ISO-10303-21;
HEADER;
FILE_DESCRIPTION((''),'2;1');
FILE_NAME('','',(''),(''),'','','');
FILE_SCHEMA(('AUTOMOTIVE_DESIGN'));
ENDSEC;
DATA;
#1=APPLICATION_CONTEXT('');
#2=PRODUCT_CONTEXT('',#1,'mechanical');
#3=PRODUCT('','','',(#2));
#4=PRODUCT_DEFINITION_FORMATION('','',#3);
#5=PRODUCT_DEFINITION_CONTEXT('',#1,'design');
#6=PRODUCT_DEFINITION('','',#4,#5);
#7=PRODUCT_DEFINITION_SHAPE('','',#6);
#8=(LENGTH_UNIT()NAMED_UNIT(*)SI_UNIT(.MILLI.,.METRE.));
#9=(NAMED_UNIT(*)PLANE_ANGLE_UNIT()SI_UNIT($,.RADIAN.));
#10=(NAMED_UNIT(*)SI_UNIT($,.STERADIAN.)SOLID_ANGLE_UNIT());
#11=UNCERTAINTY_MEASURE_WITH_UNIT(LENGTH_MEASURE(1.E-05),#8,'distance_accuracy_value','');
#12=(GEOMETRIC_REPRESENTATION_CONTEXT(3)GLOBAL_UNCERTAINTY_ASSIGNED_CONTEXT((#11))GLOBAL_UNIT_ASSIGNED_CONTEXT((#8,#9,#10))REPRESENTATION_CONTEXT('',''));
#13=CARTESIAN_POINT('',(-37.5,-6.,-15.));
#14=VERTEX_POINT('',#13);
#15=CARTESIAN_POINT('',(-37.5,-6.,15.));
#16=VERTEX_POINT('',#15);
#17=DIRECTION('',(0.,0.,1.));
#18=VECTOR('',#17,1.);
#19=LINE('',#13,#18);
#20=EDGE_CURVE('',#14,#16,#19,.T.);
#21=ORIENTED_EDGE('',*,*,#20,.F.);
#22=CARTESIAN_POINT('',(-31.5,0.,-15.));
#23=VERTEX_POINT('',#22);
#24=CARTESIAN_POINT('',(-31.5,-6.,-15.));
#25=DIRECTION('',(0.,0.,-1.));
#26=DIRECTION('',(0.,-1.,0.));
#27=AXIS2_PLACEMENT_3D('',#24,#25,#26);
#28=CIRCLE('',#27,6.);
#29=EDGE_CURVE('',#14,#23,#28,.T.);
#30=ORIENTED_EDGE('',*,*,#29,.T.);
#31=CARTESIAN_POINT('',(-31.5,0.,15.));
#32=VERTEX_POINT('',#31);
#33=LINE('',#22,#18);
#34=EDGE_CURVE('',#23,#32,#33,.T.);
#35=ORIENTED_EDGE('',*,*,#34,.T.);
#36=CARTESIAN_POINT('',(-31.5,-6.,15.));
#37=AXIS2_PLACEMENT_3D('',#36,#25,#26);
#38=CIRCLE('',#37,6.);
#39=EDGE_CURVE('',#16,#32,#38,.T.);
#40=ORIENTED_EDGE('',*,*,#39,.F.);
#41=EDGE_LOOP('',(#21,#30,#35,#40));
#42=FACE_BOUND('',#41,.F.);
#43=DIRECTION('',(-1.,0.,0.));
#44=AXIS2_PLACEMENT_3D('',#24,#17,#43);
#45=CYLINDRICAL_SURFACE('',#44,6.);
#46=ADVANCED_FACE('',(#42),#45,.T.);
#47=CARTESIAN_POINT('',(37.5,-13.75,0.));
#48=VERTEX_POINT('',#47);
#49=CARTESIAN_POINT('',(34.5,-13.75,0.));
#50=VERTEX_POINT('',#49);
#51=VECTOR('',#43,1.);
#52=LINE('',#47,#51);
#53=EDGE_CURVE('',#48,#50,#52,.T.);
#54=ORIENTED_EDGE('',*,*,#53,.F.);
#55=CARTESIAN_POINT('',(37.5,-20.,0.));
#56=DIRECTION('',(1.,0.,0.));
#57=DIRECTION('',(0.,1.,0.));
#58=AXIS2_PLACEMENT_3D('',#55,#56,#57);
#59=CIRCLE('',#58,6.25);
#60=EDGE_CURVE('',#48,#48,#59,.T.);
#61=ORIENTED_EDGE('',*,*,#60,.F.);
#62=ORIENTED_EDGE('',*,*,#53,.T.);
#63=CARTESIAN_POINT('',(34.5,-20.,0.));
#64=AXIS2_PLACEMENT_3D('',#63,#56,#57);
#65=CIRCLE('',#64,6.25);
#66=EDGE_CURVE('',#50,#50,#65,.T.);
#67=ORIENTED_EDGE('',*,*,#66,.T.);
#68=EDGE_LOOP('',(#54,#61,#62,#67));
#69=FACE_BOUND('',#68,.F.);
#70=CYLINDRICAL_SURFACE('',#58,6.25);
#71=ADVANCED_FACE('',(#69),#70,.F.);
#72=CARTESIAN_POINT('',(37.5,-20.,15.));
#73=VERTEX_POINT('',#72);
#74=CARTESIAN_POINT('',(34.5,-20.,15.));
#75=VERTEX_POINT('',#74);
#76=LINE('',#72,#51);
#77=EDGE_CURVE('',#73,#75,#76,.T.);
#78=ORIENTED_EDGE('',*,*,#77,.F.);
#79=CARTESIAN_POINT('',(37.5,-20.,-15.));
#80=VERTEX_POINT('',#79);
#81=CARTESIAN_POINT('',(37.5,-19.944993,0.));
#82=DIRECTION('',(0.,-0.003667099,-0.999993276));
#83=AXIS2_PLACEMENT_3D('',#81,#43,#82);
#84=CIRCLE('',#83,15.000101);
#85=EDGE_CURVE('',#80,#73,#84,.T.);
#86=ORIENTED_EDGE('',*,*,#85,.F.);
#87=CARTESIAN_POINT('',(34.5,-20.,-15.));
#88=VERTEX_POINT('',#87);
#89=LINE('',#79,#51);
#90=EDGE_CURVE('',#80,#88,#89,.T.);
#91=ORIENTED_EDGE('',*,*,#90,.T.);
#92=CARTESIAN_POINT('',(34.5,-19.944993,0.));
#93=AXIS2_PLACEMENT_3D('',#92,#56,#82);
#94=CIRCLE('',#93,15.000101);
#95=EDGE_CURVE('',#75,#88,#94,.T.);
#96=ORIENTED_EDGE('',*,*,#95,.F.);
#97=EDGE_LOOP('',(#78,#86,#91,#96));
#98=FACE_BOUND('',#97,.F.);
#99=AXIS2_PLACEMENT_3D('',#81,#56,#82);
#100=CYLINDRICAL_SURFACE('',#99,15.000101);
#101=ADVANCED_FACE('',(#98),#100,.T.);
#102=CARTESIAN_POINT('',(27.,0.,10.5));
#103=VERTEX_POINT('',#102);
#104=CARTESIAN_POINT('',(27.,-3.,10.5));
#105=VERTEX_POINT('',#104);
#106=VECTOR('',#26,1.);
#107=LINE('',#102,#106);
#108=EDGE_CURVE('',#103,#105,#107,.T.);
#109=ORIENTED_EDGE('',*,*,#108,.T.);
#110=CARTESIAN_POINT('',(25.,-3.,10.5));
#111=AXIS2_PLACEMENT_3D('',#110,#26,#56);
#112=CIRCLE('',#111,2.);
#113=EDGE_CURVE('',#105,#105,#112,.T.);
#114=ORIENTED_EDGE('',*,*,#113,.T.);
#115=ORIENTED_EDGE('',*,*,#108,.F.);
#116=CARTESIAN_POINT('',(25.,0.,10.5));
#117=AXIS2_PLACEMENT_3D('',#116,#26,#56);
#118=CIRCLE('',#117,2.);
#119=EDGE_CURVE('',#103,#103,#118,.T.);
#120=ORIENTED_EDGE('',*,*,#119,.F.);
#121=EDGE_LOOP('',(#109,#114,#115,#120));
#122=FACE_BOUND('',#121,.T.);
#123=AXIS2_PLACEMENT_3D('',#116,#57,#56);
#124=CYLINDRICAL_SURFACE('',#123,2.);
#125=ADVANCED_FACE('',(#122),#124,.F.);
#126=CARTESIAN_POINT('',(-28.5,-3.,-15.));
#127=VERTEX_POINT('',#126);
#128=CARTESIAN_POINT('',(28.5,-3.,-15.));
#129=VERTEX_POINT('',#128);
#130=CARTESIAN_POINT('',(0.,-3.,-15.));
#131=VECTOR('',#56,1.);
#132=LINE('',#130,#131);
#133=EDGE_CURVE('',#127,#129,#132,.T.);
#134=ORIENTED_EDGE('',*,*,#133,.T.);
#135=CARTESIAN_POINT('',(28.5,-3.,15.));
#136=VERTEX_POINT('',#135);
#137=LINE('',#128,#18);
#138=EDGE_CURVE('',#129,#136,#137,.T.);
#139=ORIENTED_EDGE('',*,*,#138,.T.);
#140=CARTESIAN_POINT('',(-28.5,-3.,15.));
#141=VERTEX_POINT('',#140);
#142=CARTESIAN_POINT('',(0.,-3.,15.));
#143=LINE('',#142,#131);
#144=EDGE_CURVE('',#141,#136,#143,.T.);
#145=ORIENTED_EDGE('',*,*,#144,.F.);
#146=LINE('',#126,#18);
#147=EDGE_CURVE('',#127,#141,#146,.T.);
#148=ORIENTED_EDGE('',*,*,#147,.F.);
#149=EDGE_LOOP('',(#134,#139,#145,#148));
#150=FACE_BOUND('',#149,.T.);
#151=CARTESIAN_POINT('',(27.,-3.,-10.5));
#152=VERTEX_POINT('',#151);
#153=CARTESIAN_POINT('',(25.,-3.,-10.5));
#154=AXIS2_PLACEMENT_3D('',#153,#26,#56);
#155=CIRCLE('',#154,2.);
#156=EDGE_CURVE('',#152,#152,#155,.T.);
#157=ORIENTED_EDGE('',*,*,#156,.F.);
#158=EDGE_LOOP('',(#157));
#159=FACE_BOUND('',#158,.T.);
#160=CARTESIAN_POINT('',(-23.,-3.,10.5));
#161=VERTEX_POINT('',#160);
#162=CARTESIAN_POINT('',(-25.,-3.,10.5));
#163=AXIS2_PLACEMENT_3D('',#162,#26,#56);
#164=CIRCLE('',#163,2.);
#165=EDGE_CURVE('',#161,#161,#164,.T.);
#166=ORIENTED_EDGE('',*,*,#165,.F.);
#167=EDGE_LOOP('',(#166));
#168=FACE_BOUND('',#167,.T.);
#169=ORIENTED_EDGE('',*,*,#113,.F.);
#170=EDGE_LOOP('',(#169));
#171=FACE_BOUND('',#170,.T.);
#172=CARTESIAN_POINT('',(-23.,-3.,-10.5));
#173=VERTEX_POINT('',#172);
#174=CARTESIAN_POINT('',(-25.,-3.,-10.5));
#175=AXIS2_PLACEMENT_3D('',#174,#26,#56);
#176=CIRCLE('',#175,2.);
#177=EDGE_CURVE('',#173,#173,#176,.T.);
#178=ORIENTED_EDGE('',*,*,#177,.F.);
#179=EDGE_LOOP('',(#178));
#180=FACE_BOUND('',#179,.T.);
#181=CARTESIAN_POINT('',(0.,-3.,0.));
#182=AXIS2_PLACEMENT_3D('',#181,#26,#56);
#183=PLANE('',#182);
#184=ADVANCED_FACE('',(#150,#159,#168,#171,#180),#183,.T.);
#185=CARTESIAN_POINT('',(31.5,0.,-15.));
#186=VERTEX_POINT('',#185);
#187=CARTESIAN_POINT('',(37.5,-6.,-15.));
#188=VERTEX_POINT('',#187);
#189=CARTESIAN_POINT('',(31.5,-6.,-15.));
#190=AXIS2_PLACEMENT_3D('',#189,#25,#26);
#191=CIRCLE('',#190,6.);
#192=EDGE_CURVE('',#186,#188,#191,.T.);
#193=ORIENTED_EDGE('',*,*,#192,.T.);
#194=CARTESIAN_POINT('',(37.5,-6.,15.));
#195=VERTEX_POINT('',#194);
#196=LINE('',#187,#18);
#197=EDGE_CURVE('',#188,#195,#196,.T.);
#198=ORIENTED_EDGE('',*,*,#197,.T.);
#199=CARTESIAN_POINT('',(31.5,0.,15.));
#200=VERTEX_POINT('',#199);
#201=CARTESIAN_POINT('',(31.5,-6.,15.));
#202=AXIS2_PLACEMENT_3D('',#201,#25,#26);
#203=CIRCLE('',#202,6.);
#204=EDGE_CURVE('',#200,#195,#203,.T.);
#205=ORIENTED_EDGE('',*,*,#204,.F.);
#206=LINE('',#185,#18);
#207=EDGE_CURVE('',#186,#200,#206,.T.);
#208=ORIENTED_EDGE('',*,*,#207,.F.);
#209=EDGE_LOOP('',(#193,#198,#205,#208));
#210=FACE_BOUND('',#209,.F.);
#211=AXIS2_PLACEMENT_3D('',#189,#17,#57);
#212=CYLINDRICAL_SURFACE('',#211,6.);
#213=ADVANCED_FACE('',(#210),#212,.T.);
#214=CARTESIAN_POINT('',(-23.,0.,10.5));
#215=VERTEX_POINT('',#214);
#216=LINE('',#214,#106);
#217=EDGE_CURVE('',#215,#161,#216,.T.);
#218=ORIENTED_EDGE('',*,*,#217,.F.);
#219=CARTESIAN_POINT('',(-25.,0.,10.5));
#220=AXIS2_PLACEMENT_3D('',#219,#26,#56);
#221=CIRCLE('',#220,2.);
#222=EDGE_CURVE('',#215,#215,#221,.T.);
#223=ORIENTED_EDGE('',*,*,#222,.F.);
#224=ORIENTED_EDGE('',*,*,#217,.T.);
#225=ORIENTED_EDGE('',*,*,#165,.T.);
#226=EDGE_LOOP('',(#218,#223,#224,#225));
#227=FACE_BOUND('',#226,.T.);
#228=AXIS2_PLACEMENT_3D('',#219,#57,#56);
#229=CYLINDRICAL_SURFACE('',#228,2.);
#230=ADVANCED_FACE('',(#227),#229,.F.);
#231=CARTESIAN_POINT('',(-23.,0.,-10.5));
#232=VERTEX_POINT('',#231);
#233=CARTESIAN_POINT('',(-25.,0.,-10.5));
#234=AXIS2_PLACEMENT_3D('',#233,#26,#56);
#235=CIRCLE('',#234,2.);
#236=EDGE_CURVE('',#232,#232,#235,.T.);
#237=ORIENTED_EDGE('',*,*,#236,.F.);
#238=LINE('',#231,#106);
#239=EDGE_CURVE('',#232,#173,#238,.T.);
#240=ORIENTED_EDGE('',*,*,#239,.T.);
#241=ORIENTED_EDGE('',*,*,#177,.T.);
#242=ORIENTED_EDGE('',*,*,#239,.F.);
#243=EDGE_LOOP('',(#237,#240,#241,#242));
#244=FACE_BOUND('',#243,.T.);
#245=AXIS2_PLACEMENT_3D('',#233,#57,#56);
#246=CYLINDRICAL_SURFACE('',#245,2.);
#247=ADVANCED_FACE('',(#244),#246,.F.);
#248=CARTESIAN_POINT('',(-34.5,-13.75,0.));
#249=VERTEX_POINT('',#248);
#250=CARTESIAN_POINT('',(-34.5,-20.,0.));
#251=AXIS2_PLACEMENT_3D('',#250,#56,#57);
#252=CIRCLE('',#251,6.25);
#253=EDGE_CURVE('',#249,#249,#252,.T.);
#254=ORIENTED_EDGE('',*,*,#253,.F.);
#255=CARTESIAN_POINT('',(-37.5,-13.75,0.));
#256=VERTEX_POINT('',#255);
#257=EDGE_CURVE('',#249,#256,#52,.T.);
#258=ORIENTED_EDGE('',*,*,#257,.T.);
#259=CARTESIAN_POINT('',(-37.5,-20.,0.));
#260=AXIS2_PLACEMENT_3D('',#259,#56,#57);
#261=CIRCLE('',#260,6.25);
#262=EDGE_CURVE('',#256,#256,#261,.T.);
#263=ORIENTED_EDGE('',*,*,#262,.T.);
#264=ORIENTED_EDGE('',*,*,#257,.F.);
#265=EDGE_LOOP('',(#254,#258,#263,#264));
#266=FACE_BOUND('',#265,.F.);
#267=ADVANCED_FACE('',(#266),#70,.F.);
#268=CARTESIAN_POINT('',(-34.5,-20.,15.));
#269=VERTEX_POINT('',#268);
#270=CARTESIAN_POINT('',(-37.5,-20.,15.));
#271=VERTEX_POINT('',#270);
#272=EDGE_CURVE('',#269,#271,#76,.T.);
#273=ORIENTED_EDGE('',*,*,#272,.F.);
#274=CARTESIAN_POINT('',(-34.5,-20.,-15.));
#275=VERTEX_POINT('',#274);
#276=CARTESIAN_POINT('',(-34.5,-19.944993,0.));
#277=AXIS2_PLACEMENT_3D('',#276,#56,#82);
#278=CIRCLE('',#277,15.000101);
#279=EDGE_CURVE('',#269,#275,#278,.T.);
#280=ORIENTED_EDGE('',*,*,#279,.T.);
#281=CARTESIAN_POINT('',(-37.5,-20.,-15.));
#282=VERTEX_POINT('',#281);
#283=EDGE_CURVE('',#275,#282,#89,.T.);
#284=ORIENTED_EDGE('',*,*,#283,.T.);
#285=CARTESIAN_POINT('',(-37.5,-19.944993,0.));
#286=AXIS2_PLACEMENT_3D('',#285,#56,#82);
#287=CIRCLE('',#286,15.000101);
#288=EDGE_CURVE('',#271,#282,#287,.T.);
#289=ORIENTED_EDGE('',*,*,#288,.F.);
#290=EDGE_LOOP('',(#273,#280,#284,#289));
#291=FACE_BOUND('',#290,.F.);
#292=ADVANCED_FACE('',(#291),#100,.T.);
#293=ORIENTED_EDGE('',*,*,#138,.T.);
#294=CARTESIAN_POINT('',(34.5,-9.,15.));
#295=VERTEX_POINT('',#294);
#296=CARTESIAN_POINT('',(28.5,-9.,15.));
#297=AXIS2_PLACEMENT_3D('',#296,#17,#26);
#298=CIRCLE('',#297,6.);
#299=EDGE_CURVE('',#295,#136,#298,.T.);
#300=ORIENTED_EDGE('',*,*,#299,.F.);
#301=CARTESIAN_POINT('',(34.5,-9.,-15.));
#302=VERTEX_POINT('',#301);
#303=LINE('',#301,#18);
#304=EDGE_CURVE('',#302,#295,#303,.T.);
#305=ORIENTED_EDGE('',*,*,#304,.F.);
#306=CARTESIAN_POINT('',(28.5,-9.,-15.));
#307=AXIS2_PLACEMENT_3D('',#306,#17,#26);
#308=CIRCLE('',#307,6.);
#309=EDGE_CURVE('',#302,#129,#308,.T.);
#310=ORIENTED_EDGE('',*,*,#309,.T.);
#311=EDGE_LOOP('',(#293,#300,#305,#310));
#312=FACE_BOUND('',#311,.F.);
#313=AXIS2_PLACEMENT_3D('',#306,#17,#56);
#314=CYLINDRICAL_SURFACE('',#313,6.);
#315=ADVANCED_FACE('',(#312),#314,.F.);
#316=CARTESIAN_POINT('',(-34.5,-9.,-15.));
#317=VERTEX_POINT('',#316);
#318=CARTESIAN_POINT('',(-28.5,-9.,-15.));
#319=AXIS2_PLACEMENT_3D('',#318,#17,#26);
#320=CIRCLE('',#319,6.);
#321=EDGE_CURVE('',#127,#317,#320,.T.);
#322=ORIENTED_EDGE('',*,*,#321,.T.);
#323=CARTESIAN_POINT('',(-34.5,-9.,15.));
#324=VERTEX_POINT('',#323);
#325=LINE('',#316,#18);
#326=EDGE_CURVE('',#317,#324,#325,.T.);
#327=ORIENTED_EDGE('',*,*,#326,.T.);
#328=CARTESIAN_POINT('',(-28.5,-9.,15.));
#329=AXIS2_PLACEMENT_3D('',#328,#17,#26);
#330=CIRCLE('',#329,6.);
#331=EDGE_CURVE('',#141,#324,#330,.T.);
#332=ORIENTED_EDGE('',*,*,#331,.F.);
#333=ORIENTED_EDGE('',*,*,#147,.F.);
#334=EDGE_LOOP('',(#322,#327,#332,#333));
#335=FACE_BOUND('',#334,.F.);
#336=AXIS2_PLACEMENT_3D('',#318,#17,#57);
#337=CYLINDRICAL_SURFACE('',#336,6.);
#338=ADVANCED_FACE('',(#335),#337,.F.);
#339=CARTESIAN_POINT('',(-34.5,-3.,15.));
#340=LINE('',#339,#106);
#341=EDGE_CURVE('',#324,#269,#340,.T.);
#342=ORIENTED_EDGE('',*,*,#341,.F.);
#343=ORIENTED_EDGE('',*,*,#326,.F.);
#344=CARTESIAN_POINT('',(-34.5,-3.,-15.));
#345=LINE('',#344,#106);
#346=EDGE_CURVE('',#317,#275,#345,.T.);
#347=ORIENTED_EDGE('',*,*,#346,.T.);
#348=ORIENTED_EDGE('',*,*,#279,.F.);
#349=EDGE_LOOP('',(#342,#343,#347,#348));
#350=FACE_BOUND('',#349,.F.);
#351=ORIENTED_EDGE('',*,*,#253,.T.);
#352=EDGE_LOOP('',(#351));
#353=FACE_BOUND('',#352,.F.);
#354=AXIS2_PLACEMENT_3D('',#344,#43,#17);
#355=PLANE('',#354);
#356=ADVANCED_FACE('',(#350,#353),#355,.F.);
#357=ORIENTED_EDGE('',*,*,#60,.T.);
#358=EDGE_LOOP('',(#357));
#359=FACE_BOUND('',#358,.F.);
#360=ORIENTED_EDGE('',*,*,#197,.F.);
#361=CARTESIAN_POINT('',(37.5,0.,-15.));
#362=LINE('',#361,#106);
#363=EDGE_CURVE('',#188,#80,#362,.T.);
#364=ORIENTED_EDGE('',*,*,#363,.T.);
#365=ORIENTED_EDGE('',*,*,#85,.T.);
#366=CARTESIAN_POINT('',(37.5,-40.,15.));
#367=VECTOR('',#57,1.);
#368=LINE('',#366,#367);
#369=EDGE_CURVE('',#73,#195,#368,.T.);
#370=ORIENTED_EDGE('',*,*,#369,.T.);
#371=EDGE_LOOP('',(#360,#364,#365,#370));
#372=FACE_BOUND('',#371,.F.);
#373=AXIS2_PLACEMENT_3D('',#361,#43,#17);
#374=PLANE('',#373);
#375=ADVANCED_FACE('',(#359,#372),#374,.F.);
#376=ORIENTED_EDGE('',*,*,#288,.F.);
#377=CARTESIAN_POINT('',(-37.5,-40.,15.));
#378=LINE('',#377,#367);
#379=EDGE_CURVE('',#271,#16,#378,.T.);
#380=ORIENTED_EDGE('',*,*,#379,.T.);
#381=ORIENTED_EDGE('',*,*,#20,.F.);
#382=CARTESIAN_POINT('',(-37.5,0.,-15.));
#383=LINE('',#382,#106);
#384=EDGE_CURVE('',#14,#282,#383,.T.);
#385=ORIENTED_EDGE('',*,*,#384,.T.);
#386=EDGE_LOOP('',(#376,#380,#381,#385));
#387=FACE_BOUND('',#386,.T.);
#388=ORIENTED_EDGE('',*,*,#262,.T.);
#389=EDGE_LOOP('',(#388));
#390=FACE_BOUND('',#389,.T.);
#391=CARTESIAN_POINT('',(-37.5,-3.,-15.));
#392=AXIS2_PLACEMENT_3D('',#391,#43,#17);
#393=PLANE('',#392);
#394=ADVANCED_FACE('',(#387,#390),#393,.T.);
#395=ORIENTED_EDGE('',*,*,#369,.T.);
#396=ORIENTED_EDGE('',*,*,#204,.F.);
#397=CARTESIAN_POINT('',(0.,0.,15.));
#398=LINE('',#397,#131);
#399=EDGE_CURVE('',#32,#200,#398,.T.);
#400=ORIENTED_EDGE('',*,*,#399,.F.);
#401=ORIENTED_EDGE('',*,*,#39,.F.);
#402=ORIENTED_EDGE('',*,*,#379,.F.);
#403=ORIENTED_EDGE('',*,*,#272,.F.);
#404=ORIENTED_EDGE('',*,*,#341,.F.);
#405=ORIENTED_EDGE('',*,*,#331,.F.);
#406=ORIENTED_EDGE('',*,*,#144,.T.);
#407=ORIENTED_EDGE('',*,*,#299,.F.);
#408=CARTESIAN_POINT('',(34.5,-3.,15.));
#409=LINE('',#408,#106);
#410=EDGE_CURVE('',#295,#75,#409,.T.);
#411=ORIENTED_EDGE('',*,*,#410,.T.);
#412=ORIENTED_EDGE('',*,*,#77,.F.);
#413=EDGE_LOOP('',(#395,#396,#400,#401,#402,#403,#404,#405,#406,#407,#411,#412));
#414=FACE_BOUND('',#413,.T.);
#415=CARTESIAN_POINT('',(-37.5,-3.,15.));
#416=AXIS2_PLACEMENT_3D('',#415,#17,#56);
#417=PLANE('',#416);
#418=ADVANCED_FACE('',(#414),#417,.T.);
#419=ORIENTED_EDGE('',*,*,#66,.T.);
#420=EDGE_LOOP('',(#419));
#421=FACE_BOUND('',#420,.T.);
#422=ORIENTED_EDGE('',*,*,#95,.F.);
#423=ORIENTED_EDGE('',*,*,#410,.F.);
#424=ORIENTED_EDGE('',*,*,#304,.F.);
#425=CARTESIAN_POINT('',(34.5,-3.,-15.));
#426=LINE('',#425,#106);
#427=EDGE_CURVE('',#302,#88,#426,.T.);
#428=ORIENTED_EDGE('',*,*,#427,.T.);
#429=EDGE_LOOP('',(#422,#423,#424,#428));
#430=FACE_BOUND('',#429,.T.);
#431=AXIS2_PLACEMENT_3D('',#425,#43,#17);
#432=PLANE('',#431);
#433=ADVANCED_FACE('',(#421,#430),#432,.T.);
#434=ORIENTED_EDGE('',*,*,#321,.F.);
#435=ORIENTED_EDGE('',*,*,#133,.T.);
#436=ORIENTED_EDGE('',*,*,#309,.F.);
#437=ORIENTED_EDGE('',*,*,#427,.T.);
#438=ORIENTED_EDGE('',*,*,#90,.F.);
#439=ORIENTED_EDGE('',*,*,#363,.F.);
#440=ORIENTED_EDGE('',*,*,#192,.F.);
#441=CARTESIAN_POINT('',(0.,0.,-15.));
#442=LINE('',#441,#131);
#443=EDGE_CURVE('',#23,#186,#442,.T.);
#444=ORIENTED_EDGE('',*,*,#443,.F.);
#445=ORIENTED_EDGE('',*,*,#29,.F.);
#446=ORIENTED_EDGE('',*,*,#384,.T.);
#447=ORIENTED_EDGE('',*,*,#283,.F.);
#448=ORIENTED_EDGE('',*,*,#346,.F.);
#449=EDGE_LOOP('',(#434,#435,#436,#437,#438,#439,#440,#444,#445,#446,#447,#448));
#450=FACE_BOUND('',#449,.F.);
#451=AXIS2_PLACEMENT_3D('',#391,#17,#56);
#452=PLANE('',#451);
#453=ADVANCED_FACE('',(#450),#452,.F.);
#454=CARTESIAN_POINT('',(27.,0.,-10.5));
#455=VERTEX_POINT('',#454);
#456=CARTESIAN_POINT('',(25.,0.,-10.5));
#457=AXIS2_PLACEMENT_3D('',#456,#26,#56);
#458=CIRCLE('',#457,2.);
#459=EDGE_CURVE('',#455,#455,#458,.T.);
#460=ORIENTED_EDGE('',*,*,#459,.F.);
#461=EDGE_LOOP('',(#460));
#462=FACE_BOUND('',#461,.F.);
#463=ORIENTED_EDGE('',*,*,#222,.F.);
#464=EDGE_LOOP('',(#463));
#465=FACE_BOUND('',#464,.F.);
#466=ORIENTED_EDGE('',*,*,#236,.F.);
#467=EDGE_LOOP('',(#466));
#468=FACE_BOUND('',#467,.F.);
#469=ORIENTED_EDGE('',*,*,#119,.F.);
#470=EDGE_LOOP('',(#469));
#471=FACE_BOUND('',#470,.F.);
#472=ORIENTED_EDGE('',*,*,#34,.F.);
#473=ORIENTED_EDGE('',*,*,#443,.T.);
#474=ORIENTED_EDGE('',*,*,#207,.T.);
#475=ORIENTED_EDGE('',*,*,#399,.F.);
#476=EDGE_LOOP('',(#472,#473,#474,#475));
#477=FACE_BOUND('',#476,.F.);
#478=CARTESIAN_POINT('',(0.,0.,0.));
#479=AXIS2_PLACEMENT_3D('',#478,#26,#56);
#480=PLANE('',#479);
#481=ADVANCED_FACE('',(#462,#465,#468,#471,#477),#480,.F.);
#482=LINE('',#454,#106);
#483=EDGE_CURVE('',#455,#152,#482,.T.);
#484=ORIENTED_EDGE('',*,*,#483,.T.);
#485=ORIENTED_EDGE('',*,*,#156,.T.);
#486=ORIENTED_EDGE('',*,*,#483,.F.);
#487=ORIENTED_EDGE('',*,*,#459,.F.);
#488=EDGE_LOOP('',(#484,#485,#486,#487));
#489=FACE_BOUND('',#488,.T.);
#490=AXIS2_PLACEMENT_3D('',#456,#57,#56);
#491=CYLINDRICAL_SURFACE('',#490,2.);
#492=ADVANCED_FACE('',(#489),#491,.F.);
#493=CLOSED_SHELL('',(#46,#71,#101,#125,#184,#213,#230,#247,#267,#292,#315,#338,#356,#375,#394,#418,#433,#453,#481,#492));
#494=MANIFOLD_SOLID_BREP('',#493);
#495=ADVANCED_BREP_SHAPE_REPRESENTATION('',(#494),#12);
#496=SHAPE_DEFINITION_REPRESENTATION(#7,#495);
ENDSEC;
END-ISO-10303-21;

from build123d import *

# Parameters (mm, degrees)
F0_W     = 75
F0_H     = 30
F0_R     = 2
F1_DEPTH = 3
F2_W     = 3
F2_H     = 30
F3_DEPTH = 37
F4_R     = 6.25
F5_DEPTH = 2500
F6_R     = 6


with BuildPart() as f1:
    # F0 (on Front) → F1 (new body)
    with BuildSketch(Plane.XZ):
        Rectangle(F0_W, F0_H)
        with Locations((-25, -10.5)):
            Circle(F0_R, mode=Mode.SUBTRACT)
        with Locations((25, -10.5)):
            Circle(F0_R, mode=Mode.SUBTRACT)
        with Locations((-25, 10.5)):
            Circle(F0_R, mode=Mode.SUBTRACT)
        with Locations((25, 10.5)):
            Circle(F0_R, mode=Mode.SUBTRACT)
    extrude(amount=F1_DEPTH)

    # F2 (on face) → F3 (join)
    with BuildSketch(Plane.XZ.offset(3)):
        with Locations((-36, 0)):
            Rectangle(F2_W, F2_H)
        with Locations((36, 0)):
            Rectangle(F2_W, F2_H)
    extrude(amount=F3_DEPTH)

    # F4 (on face) → F5 (cut)
    with BuildSketch(Plane.YZ.offset(37.5)):
        with Locations((-20, 0)):
            Circle(F4_R)
        with BuildLine():
            ThreePointArc((-20, -15), (-34.945094, 0), (-20, 15))
            Line((-20, 15), (-40, 15))
            Line((-40, 15), (-40, -15))
            Line((-40, -15), (-20, -15))
        make_face()
    extrude(amount=-F5_DEPTH, mode=Mode.SUBTRACT)

    # F6
    f6_edges = [f1.edges().sort_by_distance(p)[0] for p in [
        (37.5, 0, 0),
        (-37.5, 0, 0),
        (-34.5, -3, 0),
        (34.5, -3, 0),
    ]]
    fillet(f6_edges, radius=F6_R)


solid = f1.part
